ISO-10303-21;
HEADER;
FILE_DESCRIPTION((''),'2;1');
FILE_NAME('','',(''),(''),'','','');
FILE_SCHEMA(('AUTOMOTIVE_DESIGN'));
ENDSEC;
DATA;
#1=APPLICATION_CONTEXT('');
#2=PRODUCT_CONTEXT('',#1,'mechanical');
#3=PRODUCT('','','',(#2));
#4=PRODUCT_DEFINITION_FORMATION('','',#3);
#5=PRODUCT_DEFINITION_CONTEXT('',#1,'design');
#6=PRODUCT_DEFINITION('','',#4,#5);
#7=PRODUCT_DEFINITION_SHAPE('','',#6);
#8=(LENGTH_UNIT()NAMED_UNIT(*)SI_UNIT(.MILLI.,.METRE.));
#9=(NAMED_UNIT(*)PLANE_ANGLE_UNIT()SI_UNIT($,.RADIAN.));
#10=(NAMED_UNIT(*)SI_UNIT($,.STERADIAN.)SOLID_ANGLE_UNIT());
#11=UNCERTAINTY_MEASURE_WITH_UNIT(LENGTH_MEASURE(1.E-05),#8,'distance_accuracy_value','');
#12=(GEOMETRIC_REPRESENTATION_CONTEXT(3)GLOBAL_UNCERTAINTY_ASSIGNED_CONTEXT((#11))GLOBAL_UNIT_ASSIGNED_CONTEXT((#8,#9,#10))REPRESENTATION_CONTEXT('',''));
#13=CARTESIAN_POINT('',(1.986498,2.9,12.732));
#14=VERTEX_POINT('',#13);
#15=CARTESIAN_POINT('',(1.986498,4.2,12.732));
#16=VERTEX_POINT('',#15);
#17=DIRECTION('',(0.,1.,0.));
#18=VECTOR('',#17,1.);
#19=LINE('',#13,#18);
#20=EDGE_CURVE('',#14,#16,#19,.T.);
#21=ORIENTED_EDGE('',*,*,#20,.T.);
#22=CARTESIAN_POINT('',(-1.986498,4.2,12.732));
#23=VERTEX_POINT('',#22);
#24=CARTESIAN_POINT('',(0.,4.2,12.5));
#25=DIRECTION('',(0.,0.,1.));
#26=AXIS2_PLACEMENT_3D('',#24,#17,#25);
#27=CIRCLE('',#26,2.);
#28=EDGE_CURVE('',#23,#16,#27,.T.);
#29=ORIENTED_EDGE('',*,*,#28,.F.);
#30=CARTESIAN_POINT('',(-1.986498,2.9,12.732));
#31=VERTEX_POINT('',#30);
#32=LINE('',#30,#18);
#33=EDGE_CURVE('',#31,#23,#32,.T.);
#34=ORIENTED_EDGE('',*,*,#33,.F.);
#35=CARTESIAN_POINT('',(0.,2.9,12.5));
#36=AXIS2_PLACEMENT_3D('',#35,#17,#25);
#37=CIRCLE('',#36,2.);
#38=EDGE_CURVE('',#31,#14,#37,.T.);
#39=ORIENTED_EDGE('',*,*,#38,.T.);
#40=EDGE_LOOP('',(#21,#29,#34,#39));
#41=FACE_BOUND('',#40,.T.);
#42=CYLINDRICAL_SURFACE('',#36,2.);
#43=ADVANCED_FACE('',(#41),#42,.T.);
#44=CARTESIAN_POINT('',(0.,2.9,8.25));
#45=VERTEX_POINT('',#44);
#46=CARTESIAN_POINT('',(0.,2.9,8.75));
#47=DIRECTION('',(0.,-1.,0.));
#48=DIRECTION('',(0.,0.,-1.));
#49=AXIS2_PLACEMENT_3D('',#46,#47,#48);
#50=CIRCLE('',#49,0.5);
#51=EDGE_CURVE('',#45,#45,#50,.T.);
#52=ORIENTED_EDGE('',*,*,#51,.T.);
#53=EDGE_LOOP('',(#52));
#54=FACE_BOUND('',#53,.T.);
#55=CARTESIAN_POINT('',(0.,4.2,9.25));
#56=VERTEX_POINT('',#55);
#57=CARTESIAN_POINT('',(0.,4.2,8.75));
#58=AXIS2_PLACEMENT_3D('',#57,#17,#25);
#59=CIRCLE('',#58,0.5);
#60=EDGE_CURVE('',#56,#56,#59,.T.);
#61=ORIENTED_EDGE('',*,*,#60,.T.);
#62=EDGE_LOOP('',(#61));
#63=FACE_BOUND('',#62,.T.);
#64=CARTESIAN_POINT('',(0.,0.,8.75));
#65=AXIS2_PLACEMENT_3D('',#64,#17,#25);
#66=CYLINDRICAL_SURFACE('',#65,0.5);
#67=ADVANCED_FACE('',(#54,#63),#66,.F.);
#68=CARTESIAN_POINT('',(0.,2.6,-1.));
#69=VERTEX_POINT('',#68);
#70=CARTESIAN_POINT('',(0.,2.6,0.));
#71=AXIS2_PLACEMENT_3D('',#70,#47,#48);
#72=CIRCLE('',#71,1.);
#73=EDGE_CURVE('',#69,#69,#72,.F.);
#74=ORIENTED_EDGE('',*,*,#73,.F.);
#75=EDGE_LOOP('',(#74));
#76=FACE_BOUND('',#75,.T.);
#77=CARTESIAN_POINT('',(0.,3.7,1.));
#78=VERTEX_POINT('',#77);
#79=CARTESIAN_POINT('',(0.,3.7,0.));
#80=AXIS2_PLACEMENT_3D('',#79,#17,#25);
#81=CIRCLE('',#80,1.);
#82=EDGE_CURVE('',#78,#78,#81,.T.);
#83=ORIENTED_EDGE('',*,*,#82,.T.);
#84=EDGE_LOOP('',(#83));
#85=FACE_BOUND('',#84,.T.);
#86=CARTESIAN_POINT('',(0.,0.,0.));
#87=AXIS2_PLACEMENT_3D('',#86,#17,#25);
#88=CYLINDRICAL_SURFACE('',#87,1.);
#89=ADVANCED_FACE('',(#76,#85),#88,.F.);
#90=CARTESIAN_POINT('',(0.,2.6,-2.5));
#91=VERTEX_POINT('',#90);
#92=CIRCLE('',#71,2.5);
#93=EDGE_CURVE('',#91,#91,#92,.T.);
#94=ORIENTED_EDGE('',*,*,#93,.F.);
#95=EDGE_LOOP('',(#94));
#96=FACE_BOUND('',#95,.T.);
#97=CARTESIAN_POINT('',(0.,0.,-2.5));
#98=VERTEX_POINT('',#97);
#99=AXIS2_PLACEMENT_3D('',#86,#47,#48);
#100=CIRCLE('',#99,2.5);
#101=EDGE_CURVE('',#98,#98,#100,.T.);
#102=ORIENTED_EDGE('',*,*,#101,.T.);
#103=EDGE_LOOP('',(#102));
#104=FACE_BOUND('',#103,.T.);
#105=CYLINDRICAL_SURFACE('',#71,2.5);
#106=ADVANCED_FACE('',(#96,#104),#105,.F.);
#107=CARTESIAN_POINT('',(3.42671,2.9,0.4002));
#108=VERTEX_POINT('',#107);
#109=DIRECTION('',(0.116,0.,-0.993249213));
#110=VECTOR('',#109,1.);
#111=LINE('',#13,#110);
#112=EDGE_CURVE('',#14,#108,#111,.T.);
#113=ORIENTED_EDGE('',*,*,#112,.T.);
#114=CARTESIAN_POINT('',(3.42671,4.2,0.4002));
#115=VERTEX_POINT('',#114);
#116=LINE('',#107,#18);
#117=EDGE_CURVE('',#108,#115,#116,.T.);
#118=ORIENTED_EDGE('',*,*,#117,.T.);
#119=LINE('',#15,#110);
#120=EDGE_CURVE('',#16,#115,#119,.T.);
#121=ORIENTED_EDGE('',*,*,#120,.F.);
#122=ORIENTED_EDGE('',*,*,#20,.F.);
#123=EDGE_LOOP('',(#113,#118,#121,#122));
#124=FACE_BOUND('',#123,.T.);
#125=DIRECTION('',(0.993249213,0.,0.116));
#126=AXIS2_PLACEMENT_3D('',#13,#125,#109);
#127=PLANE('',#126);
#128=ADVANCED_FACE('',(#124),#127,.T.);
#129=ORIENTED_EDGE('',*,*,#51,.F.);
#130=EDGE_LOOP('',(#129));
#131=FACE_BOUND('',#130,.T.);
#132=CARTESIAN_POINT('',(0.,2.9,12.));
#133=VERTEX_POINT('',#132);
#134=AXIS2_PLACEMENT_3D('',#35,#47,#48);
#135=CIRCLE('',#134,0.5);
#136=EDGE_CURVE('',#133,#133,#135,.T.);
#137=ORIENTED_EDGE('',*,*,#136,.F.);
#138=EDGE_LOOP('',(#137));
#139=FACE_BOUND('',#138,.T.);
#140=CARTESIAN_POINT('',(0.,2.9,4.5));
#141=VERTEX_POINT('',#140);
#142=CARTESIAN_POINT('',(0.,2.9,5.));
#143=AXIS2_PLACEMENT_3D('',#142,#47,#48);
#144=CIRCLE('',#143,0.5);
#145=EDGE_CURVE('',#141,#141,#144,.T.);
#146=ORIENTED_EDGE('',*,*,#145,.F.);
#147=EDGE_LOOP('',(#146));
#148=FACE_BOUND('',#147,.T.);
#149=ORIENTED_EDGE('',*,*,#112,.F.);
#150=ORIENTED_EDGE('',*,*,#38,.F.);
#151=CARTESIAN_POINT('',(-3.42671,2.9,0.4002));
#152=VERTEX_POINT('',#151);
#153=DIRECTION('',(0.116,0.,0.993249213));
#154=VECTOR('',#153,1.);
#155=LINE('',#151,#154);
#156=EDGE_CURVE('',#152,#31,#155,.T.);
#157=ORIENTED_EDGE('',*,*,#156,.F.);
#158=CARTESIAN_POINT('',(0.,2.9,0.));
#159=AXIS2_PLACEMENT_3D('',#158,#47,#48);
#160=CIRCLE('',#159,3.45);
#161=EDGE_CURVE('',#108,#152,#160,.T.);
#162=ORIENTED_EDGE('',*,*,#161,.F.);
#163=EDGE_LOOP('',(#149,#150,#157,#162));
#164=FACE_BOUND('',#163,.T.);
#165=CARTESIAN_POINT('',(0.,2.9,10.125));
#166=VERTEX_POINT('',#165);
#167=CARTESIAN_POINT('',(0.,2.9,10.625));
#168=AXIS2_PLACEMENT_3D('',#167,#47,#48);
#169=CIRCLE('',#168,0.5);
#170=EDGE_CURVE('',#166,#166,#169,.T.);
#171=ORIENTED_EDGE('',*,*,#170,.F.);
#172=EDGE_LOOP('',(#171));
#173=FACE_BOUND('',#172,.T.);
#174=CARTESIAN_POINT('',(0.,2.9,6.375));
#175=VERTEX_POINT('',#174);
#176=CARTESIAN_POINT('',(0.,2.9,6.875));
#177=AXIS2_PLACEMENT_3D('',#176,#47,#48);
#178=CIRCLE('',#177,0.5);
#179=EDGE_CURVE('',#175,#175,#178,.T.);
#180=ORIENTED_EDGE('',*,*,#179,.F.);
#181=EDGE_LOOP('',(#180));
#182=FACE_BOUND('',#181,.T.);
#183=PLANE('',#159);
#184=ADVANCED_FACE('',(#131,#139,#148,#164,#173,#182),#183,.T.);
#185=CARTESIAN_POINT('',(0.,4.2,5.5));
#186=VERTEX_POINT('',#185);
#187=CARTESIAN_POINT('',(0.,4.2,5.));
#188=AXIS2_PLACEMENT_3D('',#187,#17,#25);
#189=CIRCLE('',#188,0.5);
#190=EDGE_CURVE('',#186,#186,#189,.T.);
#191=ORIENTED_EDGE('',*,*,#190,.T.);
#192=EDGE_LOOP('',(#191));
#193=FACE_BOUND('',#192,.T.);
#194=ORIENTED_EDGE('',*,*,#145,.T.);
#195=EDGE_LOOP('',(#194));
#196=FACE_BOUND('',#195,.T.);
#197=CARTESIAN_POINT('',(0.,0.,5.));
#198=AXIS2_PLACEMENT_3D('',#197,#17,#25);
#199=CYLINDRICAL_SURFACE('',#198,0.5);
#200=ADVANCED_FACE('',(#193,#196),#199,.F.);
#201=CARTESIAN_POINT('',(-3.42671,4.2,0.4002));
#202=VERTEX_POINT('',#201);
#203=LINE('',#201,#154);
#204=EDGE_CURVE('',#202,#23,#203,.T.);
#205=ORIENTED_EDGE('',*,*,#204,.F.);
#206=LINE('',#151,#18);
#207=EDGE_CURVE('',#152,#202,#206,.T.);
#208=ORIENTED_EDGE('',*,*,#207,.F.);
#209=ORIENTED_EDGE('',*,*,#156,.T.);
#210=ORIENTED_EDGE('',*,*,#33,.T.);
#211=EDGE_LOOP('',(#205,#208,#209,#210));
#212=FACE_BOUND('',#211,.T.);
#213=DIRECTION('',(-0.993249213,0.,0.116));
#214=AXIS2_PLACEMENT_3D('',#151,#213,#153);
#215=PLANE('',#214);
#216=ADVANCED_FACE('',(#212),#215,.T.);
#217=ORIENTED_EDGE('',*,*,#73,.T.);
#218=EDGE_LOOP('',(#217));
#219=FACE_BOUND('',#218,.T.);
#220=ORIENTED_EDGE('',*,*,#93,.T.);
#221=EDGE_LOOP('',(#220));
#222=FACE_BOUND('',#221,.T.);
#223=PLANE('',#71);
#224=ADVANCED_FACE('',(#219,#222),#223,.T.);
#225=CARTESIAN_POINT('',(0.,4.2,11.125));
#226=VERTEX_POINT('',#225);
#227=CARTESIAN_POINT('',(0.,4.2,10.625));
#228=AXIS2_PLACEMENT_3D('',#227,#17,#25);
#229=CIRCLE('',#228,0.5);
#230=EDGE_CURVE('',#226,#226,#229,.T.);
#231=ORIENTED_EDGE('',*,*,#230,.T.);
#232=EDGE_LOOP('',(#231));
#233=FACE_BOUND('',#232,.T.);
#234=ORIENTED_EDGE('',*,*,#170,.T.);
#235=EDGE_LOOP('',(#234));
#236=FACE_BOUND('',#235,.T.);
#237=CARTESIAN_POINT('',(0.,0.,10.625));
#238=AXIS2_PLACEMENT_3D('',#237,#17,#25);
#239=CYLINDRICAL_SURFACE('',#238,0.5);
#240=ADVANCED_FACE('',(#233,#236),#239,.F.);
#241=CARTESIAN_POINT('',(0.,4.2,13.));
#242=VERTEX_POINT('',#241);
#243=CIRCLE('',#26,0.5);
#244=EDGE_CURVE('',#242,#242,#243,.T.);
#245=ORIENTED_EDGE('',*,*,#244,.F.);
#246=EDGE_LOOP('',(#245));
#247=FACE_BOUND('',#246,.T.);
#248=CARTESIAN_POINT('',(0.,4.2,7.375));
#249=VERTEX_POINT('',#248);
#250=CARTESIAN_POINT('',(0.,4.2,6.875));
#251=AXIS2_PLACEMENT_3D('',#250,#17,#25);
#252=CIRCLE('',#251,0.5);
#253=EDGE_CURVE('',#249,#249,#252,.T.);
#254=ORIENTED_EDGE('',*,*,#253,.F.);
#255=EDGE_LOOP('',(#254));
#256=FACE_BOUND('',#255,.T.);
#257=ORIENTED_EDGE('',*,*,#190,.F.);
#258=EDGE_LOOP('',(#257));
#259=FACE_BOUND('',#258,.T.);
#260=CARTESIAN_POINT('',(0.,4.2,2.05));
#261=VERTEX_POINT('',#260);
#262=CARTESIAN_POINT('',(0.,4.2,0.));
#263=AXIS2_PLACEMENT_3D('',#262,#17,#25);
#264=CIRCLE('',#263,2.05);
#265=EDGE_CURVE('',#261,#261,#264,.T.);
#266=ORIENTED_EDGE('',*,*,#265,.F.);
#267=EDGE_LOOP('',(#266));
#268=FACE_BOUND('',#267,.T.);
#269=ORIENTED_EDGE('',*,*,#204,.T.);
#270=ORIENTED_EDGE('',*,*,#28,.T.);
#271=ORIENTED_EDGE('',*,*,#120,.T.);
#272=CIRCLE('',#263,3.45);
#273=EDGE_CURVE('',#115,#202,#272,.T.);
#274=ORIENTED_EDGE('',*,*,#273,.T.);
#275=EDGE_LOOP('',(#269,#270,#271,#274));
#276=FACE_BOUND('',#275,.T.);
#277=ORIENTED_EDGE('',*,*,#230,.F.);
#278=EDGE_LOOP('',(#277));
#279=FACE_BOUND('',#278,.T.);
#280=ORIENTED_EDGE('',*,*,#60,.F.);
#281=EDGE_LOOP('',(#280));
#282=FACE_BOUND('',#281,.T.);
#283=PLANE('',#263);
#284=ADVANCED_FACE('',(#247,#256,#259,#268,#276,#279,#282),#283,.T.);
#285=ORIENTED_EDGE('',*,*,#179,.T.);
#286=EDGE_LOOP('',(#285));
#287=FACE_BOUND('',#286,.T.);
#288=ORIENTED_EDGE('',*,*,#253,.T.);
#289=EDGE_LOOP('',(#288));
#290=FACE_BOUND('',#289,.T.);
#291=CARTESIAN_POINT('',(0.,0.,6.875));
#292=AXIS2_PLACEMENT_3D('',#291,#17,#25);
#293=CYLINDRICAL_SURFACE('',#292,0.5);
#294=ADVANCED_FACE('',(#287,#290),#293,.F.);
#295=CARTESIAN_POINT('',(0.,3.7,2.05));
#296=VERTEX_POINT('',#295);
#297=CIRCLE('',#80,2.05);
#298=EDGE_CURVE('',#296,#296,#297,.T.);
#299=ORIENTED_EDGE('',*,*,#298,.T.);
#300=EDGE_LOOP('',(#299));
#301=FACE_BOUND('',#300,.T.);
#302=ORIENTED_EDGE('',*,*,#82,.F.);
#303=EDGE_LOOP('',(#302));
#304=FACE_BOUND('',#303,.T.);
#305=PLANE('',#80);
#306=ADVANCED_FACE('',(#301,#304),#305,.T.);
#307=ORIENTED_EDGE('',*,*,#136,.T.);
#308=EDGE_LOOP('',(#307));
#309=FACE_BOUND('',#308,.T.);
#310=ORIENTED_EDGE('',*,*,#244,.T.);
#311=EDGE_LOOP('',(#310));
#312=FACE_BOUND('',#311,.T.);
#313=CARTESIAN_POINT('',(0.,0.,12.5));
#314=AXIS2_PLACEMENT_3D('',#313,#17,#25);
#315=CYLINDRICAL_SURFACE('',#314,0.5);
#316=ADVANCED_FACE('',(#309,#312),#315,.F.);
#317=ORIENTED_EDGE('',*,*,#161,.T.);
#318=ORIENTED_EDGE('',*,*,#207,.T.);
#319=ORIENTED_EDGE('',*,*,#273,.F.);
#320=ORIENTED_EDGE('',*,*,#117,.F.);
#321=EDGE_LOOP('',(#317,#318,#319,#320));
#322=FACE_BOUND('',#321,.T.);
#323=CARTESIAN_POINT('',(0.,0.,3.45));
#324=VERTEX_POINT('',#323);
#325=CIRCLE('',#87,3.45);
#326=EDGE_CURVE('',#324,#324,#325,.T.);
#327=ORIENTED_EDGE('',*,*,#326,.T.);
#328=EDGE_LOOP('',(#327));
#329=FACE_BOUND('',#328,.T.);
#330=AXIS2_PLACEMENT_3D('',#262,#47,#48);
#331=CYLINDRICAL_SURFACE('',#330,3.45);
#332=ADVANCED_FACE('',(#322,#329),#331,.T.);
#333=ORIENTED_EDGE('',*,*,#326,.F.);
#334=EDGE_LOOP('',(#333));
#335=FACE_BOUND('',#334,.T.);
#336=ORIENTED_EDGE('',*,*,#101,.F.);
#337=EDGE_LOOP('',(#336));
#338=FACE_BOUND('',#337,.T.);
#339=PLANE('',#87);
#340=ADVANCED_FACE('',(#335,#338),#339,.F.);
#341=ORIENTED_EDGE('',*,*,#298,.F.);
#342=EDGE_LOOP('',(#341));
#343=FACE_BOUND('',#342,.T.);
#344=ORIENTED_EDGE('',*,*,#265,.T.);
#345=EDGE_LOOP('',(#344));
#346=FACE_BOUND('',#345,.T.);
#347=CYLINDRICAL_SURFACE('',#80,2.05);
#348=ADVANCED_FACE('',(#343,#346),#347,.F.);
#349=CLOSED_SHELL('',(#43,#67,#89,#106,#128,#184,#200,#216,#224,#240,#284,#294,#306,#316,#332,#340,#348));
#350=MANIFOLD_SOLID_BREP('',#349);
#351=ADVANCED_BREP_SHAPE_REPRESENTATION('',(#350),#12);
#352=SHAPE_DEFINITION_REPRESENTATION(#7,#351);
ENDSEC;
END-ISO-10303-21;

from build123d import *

# Parameters (mm, degrees)
SKETCH1_R           = 3.45
BOSS_EXTRUDE1_DEPTH = 4.2
BOSS_EXTRUDE2_DEPTH = 1.3
SKETCH2_R           = 2.05
CUT_EXTRUDE1_DEPTH  = 0.5
SKETCH4_R           = 0.5
CUT_EXTRUDE2_DEPTH  = 5.2
SKETCH5_R           = 1
CUT_EXTRUDE3_DEPTH  = 4.7
SKETCH6_R           = 2.5
CUT_EXTRUDE4_DEPTH  = 2.6


with BuildPart() as part:
    # Sketch1 → Boss-Extrude1 (new body)
    with BuildSketch(Plane(origin=(0, 0, 0), x_dir=(1, 0, 0), z_dir=(0, 1, 0))):
        Circle(SKETCH1_R)
    extrude(amount=BOSS_EXTRUDE1_DEPTH)

    # Sketch3 → Boss-Extrude2 (add)
    with BuildSketch(Plane(origin=(0, 4.2, 0), x_dir=(1, 0, 0), z_dir=(0, 1, 0))):
        with BuildLine():
            Line((-3.426709786, -0.4002), (-1.986498427, -12.732))
            ThreePointArc((-1.986498427, -12.732), (0, -14.5), (1.986498427, -12.732))
            Line((1.986498427, -12.732), (3.426709786, -0.4002))
            ThreePointArc((3.426709786, -0.4002), (0, 3.45), (-3.426709786, -0.4002))
        make_face()
    extrude(amount=-BOSS_EXTRUDE2_DEPTH)

    # Sketch2 → Cut-Extrude1 (cut)
    with BuildSketch(Plane(origin=(0, 4.2, 0), x_dir=(1, 0, 0), z_dir=(0, 1, 0))):
        Circle(SKETCH2_R)
    extrude(amount=-CUT_EXTRUDE1_DEPTH, mode=Mode.SUBTRACT)

    # Sketch4 → Cut-Extrude2 (cut, through all)
    with BuildSketch(Plane(origin=(0, 4.2, 0), x_dir=(1, 0, 0), z_dir=(0, 1, 0))):
        with Locations((0, -12.5)):
            Circle(SKETCH4_R)
        with Locations((0, -10.625)):
            Circle(SKETCH4_R)
        with Locations((0, -8.75)):
            Circle(SKETCH4_R)
        with Locations((0, -6.875)):
            Circle(SKETCH4_R)
        with Locations((0, -5)):
            Circle(SKETCH4_R)
    extrude(amount=-CUT_EXTRUDE2_DEPTH, mode=Mode.SUBTRACT)

    # Sketch5 → Cut-Extrude3 (cut, through all)
    with BuildSketch(Plane(origin=(0, 3.7, 0), x_dir=(1, 0, 0), z_dir=(0, 1, 0))):
        Circle(SKETCH5_R)
    extrude(amount=-CUT_EXTRUDE3_DEPTH, mode=Mode.SUBTRACT)

    # Sketch6 → Cut-Extrude4 (cut)
    with BuildSketch(Plane.XZ):
        Circle(SKETCH6_R)
    extrude(amount=-CUT_EXTRUDE4_DEPTH, mode=Mode.SUBTRACT)


solid = part.part
